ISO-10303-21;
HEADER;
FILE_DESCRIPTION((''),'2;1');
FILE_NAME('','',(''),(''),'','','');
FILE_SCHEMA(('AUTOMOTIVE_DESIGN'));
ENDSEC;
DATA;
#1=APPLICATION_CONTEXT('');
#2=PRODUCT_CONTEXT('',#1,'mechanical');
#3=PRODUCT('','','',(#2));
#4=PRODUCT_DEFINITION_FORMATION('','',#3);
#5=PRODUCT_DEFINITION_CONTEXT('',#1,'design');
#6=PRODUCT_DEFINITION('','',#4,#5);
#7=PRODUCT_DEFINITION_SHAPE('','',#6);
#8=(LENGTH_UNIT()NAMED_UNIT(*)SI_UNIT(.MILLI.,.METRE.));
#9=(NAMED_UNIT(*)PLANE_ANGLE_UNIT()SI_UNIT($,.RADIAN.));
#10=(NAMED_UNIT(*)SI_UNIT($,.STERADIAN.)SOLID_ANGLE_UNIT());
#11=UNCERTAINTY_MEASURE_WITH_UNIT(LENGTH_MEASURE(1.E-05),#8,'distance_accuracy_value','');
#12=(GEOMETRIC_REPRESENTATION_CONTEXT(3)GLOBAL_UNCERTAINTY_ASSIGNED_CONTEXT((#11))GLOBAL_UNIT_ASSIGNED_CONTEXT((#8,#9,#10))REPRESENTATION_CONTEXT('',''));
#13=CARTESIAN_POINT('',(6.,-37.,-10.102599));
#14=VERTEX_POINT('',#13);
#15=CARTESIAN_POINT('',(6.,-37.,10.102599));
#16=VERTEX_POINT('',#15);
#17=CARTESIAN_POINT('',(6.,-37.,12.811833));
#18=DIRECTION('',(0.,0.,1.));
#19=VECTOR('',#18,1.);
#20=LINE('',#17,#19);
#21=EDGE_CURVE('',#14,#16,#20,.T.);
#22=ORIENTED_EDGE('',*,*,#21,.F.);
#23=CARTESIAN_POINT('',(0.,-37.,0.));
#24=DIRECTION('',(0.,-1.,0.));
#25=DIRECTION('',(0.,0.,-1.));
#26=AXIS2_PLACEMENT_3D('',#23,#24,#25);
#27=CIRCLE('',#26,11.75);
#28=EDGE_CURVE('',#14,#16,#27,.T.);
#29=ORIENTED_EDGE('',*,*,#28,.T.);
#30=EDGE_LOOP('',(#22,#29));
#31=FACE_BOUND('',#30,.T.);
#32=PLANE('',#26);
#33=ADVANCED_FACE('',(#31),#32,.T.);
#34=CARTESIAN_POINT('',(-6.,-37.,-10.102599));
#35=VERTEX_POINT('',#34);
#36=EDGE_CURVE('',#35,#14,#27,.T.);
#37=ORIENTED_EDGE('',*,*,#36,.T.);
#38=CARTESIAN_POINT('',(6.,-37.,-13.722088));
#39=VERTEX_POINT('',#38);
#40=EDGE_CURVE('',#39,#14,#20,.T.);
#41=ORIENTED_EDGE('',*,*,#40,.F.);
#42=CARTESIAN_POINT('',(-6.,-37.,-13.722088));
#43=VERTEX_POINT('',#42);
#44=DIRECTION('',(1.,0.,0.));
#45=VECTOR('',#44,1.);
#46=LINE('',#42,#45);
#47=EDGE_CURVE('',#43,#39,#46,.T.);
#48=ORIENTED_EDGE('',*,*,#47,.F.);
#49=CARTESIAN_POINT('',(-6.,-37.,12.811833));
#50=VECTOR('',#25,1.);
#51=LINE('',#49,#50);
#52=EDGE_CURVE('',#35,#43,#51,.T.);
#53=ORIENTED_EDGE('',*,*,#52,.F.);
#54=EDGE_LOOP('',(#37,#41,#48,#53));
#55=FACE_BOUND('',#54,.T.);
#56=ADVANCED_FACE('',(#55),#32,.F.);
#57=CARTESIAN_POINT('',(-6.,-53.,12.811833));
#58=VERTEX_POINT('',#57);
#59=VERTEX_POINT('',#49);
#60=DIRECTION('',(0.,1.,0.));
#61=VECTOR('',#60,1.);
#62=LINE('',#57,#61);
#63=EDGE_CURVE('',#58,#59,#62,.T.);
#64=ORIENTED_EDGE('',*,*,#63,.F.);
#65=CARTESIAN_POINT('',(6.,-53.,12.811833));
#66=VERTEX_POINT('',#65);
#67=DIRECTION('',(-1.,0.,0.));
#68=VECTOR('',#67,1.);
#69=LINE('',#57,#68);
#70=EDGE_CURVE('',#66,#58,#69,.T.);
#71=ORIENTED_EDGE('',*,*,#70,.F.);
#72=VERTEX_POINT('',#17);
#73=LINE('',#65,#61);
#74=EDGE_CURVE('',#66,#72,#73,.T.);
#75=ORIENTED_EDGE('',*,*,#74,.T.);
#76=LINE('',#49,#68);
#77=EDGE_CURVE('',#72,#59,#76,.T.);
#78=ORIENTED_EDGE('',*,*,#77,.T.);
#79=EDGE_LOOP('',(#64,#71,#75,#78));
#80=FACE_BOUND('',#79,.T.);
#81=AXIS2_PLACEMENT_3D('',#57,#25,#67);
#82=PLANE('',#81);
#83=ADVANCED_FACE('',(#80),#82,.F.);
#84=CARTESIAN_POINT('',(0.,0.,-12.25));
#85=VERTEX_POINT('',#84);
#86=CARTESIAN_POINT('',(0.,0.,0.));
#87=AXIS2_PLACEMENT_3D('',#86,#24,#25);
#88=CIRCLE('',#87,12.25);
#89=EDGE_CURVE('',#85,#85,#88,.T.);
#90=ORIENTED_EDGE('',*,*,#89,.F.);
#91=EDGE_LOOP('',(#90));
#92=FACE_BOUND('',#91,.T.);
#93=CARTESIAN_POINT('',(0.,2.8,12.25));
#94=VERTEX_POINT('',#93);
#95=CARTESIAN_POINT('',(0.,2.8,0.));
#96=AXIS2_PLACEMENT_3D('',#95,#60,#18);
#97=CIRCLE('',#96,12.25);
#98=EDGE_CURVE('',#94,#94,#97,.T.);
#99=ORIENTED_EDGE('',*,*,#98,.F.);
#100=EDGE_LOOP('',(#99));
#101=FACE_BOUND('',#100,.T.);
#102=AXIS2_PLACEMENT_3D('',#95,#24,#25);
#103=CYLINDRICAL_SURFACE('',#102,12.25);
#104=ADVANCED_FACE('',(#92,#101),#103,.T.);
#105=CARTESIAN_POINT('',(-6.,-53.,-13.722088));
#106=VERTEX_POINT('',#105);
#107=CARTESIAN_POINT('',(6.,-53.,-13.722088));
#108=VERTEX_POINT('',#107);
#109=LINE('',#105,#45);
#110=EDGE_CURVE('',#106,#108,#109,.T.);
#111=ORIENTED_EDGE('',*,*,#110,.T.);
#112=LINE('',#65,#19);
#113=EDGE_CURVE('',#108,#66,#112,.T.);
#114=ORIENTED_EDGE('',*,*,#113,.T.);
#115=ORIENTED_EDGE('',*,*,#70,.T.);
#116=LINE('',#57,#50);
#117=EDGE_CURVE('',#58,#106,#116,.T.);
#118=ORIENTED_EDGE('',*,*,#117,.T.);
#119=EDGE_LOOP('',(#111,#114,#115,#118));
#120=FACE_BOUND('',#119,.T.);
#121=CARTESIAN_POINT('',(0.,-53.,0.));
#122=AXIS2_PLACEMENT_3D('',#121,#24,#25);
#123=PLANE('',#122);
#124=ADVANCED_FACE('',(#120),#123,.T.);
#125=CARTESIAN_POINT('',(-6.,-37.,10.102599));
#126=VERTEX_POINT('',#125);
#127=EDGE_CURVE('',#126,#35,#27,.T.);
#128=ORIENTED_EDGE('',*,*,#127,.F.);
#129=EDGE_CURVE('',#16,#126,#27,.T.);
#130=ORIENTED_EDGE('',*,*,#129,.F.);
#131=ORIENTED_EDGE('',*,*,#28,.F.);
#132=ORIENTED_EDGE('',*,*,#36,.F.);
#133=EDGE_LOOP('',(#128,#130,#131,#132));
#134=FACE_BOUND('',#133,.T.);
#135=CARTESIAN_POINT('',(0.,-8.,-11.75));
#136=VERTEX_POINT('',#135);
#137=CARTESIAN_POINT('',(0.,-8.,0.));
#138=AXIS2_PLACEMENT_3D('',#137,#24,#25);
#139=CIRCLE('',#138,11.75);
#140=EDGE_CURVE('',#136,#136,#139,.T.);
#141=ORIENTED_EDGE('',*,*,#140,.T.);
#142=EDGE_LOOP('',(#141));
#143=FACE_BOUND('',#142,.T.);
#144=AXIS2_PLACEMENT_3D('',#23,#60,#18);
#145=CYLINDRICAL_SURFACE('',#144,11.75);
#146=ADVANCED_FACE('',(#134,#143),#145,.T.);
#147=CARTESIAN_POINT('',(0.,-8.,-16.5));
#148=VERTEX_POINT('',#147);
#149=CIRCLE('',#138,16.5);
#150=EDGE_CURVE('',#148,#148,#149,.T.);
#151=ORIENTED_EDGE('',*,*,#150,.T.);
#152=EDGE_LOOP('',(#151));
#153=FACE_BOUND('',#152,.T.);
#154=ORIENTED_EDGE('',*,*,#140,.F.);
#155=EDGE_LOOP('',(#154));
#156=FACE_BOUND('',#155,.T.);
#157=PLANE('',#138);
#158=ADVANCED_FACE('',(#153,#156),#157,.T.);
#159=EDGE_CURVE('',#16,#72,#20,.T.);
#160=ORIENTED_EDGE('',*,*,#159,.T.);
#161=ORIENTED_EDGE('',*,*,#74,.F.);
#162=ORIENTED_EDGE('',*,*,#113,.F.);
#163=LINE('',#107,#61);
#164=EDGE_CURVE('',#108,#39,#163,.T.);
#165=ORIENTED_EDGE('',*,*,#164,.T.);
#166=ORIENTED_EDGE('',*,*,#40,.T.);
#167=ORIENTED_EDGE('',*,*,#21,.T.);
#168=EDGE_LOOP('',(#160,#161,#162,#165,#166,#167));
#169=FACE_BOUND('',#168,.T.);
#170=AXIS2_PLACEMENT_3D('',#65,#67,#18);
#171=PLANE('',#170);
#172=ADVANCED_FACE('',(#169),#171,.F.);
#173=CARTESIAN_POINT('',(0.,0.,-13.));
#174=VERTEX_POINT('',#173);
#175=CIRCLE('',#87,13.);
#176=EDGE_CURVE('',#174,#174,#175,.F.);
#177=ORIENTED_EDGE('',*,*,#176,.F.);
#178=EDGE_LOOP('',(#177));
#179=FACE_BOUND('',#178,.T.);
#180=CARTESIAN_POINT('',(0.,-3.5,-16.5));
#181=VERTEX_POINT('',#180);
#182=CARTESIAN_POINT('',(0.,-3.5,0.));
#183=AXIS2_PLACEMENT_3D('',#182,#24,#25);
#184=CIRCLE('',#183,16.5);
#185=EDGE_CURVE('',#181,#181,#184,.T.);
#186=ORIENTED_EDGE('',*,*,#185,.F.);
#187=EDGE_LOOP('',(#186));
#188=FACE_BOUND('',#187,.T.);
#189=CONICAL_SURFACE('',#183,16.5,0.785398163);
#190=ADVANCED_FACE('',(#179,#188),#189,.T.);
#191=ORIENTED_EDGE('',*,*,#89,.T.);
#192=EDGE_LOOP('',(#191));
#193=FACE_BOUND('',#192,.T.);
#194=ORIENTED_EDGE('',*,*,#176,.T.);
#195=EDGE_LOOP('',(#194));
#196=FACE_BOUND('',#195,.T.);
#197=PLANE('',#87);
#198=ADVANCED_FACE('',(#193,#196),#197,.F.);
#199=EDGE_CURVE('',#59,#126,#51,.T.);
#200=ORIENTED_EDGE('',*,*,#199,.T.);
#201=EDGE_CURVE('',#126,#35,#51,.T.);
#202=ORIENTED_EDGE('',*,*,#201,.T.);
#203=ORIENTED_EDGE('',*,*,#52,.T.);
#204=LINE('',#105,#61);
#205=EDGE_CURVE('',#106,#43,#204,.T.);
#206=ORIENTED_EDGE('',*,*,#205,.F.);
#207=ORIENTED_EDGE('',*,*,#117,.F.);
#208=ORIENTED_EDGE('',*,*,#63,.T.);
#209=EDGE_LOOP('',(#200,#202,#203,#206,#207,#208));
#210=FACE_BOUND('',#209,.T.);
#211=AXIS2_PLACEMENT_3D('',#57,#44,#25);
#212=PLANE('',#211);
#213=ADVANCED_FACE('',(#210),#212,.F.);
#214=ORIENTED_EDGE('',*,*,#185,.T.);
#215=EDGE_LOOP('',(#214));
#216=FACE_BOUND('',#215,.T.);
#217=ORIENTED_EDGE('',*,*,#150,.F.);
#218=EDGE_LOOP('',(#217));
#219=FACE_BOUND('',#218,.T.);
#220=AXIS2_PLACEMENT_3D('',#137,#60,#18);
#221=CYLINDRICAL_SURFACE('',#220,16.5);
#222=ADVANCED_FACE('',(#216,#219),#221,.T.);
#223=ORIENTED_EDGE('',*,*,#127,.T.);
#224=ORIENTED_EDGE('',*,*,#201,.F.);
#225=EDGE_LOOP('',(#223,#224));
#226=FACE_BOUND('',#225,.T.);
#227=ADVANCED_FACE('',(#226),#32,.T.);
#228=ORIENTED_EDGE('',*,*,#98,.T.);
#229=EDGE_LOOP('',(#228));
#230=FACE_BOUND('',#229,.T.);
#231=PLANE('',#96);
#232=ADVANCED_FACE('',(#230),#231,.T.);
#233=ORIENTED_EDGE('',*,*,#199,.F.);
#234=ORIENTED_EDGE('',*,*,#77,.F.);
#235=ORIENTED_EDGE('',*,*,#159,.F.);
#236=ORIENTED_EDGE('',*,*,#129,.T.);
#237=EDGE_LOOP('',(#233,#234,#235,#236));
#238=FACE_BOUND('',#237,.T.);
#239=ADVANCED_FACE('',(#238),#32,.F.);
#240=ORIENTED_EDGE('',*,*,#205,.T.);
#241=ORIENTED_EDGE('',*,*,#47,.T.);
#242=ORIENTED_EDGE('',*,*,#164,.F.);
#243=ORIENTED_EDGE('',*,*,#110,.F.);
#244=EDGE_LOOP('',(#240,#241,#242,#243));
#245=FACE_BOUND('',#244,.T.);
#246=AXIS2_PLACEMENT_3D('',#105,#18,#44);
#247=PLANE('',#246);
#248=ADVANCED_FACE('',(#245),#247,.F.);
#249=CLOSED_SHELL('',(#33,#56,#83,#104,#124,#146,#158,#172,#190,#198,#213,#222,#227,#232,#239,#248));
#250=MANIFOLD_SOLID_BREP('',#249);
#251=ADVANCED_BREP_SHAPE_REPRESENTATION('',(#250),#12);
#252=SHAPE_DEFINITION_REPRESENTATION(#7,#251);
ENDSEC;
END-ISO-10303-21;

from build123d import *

# Parameters (mm, degrees)
SKETCH1_R           = 12.25
BOSS_EXTRUDE1_DEPTH = 2.8
SKETCH2_R           = 16.5
BOSS_EXTRUDE2_DEPTH = 8
CHAMFER1_SIZE       = 3.5
SKETCH3_R           = 11.75
BOSS_EXTRUDE3_DEPTH = 29
SKETCH4_W           = 12
SKETCH4_H           = 26.533921206
BOSS_EXTRUDE4_DEPTH = 16


with BuildPart() as part:
    # Sketch1 → Boss-Extrude1 (new body)
    with BuildSketch(Plane(origin=(0, 0, 0), x_dir=(1, 0, 0), z_dir=(0, 1, 0))):
        Circle(SKETCH1_R)
    extrude(amount=BOSS_EXTRUDE1_DEPTH)

    # Sketch2 → Boss-Extrude2 (add)
    with BuildSketch(Plane.XZ):
        Circle(SKETCH2_R)
    extrude(amount=BOSS_EXTRUDE2_DEPTH)

    # Chamfer1
    chamfer1_edges = [part.edges().sort_by_distance(p)[0] for p in [
        (-16.5, 0, 0),
    ]]
    chamfer(chamfer1_edges, length=CHAMFER1_SIZE)

    # Sketch3 → Boss-Extrude3 (add)
    with BuildSketch(Plane.XZ.offset(8)):
        Circle(SKETCH3_R)
    extrude(amount=BOSS_EXTRUDE3_DEPTH)

    # Sketch4 → Boss-Extrude4 (add)
    with BuildSketch(Plane.XZ.offset(37)):
        with Locations((0, -0.455127293)):
            Rectangle(SKETCH4_W, SKETCH4_H)
    extrude(amount=BOSS_EXTRUDE4_DEPTH)


solid = part.part
